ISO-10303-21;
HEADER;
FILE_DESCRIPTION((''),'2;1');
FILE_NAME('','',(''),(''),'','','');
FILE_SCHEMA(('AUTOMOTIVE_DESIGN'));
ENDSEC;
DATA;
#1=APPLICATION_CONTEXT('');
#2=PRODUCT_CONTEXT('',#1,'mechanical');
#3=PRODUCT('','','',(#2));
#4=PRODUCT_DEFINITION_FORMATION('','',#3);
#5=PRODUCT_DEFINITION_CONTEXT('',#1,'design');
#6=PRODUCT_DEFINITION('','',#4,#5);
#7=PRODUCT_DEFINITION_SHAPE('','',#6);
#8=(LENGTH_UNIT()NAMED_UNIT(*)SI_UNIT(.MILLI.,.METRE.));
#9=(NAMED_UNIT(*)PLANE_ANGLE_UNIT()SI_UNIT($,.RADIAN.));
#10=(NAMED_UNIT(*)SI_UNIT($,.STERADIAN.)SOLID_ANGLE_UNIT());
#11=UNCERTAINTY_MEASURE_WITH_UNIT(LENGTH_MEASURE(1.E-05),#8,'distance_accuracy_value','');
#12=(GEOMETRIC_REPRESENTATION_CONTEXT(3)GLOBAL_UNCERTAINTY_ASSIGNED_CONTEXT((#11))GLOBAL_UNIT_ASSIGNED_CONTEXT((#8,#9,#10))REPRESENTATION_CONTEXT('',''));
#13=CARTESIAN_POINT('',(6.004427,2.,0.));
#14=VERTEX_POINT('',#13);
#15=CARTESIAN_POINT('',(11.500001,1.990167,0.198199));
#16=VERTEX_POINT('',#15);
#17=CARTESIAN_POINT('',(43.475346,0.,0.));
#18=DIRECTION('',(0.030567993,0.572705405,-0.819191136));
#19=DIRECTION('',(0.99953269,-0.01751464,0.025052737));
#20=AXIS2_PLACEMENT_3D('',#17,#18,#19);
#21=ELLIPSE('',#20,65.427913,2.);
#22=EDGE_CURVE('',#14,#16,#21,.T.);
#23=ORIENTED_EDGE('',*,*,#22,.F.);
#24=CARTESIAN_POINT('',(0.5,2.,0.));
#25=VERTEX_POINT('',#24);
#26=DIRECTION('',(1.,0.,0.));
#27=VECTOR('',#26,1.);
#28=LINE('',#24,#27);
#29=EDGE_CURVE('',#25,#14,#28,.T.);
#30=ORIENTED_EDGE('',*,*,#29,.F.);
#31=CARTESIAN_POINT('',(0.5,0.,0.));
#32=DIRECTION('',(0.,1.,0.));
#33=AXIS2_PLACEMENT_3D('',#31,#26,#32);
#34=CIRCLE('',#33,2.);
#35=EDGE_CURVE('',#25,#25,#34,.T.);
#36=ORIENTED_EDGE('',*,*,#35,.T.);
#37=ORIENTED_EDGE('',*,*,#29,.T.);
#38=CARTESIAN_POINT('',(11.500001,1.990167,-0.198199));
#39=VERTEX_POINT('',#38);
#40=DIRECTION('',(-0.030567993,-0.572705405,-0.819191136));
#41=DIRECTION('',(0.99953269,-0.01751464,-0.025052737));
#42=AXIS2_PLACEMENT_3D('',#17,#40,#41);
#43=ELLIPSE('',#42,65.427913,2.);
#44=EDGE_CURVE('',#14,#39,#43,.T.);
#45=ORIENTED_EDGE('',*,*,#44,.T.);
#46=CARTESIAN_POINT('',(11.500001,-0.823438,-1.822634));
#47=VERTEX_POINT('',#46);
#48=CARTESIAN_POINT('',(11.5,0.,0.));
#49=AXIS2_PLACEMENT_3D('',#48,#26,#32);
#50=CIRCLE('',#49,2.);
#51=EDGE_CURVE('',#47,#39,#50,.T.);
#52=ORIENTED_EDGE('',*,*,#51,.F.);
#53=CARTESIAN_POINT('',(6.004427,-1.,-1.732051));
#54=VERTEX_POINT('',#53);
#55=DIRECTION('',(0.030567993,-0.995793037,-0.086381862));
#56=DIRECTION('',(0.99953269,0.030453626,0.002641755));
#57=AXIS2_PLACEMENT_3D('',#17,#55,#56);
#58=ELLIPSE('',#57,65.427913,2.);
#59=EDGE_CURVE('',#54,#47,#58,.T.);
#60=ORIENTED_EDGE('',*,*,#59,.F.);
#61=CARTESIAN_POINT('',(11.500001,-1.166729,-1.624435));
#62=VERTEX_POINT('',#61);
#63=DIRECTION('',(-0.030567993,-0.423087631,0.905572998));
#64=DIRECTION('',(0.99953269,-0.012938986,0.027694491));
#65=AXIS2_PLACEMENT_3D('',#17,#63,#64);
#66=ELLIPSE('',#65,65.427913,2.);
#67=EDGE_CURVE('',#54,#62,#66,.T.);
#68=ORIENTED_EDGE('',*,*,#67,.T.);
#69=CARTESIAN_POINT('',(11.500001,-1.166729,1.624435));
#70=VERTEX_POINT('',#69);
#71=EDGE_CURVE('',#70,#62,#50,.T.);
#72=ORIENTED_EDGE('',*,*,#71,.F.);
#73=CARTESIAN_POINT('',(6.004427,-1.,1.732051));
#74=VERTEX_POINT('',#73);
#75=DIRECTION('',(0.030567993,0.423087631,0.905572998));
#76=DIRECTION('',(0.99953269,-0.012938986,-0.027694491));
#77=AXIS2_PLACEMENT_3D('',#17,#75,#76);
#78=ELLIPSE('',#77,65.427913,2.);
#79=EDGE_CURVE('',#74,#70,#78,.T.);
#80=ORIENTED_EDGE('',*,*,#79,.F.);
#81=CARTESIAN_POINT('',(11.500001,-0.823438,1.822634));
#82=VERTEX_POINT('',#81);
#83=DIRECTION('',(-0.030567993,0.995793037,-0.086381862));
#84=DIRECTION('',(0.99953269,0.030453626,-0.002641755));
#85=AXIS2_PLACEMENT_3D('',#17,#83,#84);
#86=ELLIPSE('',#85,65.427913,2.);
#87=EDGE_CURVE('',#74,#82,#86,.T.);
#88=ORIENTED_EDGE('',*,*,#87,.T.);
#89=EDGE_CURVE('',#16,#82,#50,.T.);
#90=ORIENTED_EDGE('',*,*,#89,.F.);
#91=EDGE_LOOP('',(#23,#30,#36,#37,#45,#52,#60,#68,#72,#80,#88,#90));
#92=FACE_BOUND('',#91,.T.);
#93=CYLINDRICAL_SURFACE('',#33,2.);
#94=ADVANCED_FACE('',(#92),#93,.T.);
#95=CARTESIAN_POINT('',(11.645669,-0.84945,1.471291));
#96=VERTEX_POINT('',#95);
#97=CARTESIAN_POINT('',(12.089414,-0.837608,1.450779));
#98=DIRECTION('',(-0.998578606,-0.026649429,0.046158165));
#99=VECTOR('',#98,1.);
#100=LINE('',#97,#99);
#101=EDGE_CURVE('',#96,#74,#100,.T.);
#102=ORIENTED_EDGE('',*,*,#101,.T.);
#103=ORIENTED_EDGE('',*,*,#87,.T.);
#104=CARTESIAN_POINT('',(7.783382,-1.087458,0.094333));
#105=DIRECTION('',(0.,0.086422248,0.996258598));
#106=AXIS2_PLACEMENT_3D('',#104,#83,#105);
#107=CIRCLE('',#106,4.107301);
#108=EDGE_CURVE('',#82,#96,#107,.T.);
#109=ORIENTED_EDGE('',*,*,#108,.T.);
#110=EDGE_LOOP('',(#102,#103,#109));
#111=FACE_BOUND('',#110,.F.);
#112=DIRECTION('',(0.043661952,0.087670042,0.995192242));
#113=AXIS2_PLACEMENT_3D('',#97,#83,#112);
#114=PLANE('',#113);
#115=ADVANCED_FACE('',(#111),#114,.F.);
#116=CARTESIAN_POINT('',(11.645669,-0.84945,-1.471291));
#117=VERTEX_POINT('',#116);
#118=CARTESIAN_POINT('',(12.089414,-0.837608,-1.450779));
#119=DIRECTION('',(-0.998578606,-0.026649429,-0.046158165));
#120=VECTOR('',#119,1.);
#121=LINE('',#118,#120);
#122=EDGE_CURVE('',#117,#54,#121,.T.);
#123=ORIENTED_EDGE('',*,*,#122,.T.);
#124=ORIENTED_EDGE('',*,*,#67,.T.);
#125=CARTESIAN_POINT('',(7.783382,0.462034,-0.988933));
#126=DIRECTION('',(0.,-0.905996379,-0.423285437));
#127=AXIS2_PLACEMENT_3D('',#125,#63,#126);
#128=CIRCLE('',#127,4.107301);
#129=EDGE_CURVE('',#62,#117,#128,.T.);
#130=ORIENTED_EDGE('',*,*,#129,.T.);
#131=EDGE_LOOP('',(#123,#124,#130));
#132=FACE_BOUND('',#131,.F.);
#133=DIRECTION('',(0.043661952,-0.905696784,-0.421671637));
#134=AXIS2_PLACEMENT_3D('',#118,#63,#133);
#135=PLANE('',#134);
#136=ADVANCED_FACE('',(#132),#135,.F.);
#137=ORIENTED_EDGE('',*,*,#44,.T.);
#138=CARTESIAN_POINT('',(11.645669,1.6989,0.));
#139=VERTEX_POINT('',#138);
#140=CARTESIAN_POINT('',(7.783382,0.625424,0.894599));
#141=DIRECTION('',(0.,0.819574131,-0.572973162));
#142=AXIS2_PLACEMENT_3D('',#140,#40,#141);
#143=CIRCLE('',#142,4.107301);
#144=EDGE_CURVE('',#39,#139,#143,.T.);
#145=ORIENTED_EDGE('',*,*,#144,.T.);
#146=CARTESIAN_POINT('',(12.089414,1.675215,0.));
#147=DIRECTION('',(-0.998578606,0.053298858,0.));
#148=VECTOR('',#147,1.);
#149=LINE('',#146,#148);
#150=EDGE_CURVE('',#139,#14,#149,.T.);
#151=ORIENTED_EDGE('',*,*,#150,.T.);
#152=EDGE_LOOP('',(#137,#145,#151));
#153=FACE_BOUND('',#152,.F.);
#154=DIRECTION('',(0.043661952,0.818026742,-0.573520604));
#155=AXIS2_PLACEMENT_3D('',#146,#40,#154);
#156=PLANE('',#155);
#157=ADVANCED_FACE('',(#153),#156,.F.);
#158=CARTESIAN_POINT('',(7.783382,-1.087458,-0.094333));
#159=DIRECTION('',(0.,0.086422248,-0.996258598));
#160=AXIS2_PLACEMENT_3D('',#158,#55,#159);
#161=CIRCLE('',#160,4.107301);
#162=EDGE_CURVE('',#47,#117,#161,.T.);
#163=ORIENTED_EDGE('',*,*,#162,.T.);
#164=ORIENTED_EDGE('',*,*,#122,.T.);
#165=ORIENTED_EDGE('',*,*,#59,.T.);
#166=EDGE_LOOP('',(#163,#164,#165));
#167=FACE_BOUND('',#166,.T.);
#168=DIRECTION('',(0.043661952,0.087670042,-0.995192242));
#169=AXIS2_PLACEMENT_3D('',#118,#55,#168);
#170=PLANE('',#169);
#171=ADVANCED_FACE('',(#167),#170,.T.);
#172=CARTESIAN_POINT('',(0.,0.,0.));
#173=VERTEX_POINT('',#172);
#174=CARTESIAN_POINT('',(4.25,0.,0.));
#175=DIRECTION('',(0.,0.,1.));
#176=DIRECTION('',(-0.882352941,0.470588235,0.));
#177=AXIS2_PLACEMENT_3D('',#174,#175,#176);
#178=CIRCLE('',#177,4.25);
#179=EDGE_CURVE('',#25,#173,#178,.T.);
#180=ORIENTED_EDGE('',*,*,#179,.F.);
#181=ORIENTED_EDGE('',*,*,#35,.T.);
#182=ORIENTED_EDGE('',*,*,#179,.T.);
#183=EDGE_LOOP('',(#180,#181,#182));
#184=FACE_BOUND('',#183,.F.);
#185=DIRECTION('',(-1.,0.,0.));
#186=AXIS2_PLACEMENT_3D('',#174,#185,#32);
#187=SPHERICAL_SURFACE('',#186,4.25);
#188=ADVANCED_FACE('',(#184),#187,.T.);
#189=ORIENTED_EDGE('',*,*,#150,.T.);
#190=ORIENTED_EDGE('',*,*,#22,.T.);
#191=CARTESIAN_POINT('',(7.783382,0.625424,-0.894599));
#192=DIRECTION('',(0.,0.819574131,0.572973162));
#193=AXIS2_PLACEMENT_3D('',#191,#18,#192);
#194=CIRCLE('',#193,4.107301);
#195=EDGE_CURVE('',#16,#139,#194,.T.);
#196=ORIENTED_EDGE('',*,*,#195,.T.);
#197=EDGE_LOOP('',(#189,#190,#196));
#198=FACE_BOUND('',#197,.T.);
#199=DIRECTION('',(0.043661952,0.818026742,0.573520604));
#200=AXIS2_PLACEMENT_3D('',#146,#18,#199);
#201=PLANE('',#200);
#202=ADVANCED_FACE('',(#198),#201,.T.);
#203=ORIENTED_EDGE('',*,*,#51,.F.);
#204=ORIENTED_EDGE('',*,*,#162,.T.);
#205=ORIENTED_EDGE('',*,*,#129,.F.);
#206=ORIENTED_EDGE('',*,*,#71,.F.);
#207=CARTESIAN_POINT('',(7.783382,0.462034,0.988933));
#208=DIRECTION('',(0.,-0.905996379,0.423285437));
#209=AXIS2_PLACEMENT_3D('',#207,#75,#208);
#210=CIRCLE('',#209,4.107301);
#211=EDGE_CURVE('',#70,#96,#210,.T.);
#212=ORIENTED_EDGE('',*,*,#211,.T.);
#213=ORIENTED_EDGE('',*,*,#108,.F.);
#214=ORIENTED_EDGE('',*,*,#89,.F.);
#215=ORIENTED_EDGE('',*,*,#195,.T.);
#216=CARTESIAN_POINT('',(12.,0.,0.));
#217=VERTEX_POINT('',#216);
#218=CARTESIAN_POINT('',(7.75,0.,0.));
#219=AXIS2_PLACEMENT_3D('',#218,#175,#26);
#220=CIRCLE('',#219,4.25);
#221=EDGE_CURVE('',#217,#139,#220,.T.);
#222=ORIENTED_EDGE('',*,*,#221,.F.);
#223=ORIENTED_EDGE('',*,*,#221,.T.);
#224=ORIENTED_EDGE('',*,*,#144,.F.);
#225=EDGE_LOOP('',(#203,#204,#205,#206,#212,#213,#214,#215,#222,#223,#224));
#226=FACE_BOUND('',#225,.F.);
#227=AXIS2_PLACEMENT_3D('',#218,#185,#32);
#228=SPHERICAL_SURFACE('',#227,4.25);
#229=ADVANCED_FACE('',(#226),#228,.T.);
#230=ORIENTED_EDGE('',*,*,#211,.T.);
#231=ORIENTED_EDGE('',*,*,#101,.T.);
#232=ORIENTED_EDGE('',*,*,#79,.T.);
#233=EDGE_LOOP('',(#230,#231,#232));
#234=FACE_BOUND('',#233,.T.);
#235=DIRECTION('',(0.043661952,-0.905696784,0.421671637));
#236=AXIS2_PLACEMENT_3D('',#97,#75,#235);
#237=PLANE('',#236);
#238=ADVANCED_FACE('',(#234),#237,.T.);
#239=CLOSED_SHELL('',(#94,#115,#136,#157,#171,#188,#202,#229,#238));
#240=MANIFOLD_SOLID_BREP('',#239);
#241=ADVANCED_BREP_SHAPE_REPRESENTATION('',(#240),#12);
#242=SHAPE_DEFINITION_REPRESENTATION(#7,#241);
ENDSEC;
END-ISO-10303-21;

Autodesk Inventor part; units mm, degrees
ref_plane "YZ Plane" through (0, 0, 0) normal (1, 0, 0) x (0, 1, 0)
sketch "Skizze1" plane through (0, 0, 0) normal (0, 0, 1) x (1, 0, 0)
  line L0 (0, 0) -> (12, 0)
  line L1 (0.5, 2) -> (11.5, 2)
  arc A0 (0.5, 2) -> (0, 0) centre (4.25, 0) ccw
  arc A1 (12, 0) -> (11.5, 2) centre (7.75, 0) ccw
  line L2 (12, 0) -> (12, 1.68) construction
  line L3 (12, 1.68) -> (6, 2) construction
  line L4 (-12.8617, 0) -> (72.8617, 0) projected
  line L5 (0, 12.1847) -> (0, -2.0308) projected
  point P0 (6, 0)
  dimension "d0" = 4
  dimension "d1" = 12
  dimension "d2" = 3.36
  dimension "d12" = 6
  dimension "d17" = 0.5
  dimension "d18" = 0.5
revolve "Körper" add sketch "Skizze1" angle 360 about axis through (0, 0, 0) along (1, 0, 0)
ref_plane "Work Plane1" through (12, 0, 0) normal (1, 0, 0) x (0, 1, 0)
sketch "Skizze2" plane through (12, 0, 0) normal (1, 0, 0) x (0, 1, 0)
  line L0 (0, -14) -> (0, 14) projected
ref_plane "Work Plane2" through (12, 0, -10) normal (0.9986, -0.0533, 0) x (0.0533, 0.9986, 0)
sketch "Skizze3" plane through (12, 0, -10) normal (0.9986, -0.0533, 0) x (0.0533, 0.9986, 0)
  ellipse E0 centre (-0.0266, 10) end of major axis (-0.0266, 12) minor radius 1.9972 projected
  line L0 (-0.3195, 10) -> (1.6776, 10) projected
  line L1 (1.6776, 10) -> (1.9607, 10.1982)
  line L2 (1.6776, 10) -> (1.9607, 9.8018)
  arc A0 (1.9607, 9.8018) -> (1.9607, 10.1982) centre (-0.0266, 10) ccw
  dimension "d7" = 70
extrude "Nut" cut sketch "Skizze3" against normal up to next contours L2 L1 E0 picked at (1.8688, 9.9009)
pattern_circular "Nuten" count 3 over 360 about axis through (6, 0, 0) along (1, 0, 0) of "Nut"
equation "\"d0\" = NND"
equation "\"d1\" = NLG"
equation "\"d2\" = 0.84 * NND"
equation "\"d17\" = KAH"
equation "\"d18\" = KAH"
equation "\"d8\" = 0.5 * NLG"
equation "\"NND\" = 4"
equation "\"NLG\" = 12"
equation "\"KAH\" = 0.5"
equation "\"d3\" = NLG"
equation "\"d6\" = -d5"
equation "\"FAC\" = 0.5"
equation "\"NND1\" = 4.25"
equation "\"NLG1\" = 11"
properties part number "ISO 8745 - 4 x 12" material "Edelstahl, austenitisch"
